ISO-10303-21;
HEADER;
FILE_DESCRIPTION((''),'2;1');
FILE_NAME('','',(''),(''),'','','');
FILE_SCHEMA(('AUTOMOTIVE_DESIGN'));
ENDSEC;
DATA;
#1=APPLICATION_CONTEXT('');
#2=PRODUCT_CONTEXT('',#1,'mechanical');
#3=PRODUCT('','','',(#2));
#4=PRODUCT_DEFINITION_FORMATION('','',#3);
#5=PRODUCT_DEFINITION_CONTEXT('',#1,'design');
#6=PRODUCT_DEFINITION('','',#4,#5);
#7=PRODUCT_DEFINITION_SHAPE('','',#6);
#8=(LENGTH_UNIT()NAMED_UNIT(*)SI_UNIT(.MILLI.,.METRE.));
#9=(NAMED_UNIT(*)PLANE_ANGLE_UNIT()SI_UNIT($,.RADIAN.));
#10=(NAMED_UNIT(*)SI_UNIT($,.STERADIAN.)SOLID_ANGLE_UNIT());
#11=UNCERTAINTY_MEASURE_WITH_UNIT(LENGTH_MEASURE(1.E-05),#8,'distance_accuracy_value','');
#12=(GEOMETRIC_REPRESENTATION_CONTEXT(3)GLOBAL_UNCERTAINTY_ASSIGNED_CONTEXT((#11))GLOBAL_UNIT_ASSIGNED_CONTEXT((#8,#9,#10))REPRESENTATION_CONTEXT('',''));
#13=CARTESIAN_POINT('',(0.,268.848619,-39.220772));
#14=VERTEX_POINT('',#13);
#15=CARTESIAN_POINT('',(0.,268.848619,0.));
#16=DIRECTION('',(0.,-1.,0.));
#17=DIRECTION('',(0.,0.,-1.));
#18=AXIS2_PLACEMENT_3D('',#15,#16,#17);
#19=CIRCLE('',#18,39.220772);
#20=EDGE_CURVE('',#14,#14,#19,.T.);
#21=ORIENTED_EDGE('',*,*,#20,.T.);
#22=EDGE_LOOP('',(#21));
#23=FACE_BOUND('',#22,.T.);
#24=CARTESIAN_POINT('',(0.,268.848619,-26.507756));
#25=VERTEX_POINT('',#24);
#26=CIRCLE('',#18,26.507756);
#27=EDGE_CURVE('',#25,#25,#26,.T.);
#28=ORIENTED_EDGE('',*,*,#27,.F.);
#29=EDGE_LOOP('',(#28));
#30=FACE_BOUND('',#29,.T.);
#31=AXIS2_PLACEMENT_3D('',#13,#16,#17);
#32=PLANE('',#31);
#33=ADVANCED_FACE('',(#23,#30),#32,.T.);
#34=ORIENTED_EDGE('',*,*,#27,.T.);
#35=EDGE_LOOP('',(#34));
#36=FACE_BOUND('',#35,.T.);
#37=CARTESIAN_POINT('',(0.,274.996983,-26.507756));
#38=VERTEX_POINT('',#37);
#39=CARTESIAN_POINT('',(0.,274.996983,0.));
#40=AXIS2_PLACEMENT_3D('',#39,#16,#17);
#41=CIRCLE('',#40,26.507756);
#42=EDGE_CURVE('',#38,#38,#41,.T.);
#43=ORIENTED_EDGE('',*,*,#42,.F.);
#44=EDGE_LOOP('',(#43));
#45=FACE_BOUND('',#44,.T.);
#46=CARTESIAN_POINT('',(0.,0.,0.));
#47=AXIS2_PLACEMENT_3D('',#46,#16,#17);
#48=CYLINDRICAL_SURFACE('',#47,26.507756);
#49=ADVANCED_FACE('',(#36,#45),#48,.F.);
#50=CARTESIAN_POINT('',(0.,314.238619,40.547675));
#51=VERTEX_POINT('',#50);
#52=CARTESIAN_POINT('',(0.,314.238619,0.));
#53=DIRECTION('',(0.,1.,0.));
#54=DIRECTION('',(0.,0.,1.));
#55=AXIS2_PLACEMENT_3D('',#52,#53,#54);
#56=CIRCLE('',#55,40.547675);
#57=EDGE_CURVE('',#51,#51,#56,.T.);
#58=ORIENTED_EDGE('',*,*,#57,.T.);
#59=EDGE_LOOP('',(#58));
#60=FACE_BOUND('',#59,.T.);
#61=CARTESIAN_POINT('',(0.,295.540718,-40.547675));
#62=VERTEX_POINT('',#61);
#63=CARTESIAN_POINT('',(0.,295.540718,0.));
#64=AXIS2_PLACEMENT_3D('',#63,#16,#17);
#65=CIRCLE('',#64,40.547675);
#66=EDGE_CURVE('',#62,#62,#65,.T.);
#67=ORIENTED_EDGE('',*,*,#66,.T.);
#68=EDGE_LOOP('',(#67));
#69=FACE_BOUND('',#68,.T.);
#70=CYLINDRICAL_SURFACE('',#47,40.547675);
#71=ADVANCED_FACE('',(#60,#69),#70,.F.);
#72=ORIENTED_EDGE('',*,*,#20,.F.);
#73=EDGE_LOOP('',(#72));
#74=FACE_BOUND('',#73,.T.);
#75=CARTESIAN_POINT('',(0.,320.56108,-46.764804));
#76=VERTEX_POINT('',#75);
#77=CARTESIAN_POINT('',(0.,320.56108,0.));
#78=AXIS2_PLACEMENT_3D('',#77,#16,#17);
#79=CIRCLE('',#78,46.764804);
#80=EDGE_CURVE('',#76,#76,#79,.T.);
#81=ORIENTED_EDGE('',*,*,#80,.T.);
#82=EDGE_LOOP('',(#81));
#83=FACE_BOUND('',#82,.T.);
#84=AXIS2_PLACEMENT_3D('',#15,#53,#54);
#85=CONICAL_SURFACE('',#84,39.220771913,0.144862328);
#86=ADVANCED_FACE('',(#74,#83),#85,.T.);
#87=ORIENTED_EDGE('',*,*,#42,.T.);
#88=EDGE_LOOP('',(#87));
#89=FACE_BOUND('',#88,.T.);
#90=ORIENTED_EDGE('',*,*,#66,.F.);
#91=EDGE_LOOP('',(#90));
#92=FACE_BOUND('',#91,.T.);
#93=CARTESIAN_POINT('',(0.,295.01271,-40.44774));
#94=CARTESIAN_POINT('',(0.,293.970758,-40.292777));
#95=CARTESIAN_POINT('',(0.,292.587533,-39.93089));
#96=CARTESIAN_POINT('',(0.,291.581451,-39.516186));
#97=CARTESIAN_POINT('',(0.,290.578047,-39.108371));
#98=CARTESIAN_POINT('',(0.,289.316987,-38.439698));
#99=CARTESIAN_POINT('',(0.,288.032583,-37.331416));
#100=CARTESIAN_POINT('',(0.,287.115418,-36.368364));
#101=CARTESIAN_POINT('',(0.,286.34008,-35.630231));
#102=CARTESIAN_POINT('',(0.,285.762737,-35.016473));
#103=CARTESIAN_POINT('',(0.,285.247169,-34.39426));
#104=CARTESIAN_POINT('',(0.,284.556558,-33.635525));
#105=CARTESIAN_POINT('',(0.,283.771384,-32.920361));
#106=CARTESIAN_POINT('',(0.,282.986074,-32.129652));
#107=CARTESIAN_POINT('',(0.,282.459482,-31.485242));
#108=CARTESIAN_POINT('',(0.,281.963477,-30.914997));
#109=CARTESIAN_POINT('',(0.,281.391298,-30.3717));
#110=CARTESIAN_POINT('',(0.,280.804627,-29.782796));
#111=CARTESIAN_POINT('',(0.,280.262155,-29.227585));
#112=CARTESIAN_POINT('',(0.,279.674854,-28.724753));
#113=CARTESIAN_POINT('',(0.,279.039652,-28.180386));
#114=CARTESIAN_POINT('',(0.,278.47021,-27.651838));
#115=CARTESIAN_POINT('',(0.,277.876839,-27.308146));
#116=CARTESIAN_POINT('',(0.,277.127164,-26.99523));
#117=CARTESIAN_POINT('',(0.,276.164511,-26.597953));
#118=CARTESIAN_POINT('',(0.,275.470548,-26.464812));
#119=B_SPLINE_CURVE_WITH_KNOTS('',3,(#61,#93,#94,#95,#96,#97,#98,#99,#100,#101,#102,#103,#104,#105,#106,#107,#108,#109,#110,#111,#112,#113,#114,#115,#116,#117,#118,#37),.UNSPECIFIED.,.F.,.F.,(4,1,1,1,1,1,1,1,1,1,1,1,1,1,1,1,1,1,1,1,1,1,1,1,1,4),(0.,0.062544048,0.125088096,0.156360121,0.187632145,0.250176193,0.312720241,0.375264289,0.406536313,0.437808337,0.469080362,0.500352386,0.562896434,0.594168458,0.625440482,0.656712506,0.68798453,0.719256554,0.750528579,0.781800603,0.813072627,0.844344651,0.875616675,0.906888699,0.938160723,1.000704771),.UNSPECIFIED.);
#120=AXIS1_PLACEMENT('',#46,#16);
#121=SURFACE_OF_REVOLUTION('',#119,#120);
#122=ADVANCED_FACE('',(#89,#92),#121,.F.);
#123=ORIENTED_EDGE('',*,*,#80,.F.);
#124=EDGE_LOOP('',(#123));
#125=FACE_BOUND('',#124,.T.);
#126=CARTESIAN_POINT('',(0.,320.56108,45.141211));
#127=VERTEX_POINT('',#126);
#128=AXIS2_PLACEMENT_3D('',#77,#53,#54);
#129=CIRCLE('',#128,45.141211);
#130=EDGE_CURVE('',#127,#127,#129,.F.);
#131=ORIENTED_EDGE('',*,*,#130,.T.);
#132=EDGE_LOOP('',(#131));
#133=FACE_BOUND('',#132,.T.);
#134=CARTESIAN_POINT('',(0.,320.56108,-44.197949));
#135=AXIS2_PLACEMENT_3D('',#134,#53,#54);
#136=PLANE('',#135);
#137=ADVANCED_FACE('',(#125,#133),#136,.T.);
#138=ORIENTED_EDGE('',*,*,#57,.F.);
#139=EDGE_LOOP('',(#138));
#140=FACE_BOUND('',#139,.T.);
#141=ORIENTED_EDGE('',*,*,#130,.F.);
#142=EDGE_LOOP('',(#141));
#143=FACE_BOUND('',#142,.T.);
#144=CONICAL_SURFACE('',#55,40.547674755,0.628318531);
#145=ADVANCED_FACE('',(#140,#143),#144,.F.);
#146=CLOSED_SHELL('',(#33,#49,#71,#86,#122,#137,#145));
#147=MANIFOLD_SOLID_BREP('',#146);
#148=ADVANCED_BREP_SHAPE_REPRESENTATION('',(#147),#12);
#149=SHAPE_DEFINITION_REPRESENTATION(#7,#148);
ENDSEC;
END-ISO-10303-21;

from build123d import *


with BuildPart() as part:
    # Sketch2 → Revolve6 (revolve)
    with BuildSketch(Plane(origin=(0, 0, 0), x_dir=(0, 0, -1), z_dir=(1, 0, 0))):
        with BuildLine():
            Line((26.5077562, 274.996982717), (26.5077562, 268.848618941))
            Line((26.5077562, 268.848618941), (39.220771913, 268.848618941))
            Line((39.220771913, 268.848618941), (46.76480408, 320.561079728))
            Line((46.76480408, 320.561079728), (44.197949192, 320.561079728))
            Line((44.197949192, 320.561079728), (40.547674755, 314.238618941))
            Line((40.547674755, 314.238618941), (40.547674755, 295.540718442))
            add(Edge.make_bspline(
                [(40.547674755, 295.540718442), (40.447740466, 295.01270962), (40.292777353, 293.970757622), (39.930889756, 292.587532756), (39.516186417, 291.581451362), (39.108370784, 290.578047283), (38.439698056, 289.316986821), (37.331416088, 288.032583081), (36.368363883, 287.115418475), (35.630231266, 286.340079674), (35.016472728, 285.762737127), (34.394259797, 285.247169225), (33.635524663, 284.556558001), (32.920361335, 283.771384039), (32.129651902, 282.986073937), (31.485241785, 282.459482324), (30.914997209, 281.963476574), (30.371700347, 281.39129816), (29.78279616, 280.804626851), (29.227584582, 280.262154529), (28.724752619, 279.674853682), (28.180386254, 279.039651716), (27.651838316, 278.470209992), (27.308145936, 277.876839187), (26.995230081, 277.127164256), (26.597952618, 276.164510632), (26.464811583, 275.470548141), (26.5077562, 274.996982717)],
                knots=[0, 0, 0, 0, 0.062544048, 0.125088096, 0.156360121, 0.187632145, 0.250176193, 0.312720241, 0.375264289, 0.406536313, 0.437808337, 0.469080362, 0.500352386, 0.562896434, 0.594168458, 0.625440482, 0.656712506, 0.68798453, 0.719256554, 0.750528579, 0.781800603, 0.813072627, 0.844344651, 0.875616675, 0.906888699, 0.938160723, 1.000704771, 1.000704771, 1.000704771, 1.000704771], degree=3))
        make_face()
    revolve(axis=Axis((0, 0, 0), (0, 1, 0)))

    # Sketch3 → Cut-Revolve1 (revolve, cut)
    with BuildSketch(Plane(origin=(0, 0, 0), x_dir=(0, 0, -1), z_dir=(1, 0, 0)), mode=Mode.PRIVATE) as cut_revolve1_sk:
        Polygon((40.547674755, 314.238618941), (54.812040554, 333.871834134), (54.812040554, 347.836976562), (0, 347.836976562), (0, 311.675114189), (40.547674755, 311.675114189), align=None)
    revolve(cut_revolve1_sk.sketch.rotate(Axis((0, 347.836976562, 0), (0, -1, 0)), 180), axis=Axis((0, 347.836976562, 0), (0, -1, 0)), mode=Mode.SUBTRACT)


solid = part.part
